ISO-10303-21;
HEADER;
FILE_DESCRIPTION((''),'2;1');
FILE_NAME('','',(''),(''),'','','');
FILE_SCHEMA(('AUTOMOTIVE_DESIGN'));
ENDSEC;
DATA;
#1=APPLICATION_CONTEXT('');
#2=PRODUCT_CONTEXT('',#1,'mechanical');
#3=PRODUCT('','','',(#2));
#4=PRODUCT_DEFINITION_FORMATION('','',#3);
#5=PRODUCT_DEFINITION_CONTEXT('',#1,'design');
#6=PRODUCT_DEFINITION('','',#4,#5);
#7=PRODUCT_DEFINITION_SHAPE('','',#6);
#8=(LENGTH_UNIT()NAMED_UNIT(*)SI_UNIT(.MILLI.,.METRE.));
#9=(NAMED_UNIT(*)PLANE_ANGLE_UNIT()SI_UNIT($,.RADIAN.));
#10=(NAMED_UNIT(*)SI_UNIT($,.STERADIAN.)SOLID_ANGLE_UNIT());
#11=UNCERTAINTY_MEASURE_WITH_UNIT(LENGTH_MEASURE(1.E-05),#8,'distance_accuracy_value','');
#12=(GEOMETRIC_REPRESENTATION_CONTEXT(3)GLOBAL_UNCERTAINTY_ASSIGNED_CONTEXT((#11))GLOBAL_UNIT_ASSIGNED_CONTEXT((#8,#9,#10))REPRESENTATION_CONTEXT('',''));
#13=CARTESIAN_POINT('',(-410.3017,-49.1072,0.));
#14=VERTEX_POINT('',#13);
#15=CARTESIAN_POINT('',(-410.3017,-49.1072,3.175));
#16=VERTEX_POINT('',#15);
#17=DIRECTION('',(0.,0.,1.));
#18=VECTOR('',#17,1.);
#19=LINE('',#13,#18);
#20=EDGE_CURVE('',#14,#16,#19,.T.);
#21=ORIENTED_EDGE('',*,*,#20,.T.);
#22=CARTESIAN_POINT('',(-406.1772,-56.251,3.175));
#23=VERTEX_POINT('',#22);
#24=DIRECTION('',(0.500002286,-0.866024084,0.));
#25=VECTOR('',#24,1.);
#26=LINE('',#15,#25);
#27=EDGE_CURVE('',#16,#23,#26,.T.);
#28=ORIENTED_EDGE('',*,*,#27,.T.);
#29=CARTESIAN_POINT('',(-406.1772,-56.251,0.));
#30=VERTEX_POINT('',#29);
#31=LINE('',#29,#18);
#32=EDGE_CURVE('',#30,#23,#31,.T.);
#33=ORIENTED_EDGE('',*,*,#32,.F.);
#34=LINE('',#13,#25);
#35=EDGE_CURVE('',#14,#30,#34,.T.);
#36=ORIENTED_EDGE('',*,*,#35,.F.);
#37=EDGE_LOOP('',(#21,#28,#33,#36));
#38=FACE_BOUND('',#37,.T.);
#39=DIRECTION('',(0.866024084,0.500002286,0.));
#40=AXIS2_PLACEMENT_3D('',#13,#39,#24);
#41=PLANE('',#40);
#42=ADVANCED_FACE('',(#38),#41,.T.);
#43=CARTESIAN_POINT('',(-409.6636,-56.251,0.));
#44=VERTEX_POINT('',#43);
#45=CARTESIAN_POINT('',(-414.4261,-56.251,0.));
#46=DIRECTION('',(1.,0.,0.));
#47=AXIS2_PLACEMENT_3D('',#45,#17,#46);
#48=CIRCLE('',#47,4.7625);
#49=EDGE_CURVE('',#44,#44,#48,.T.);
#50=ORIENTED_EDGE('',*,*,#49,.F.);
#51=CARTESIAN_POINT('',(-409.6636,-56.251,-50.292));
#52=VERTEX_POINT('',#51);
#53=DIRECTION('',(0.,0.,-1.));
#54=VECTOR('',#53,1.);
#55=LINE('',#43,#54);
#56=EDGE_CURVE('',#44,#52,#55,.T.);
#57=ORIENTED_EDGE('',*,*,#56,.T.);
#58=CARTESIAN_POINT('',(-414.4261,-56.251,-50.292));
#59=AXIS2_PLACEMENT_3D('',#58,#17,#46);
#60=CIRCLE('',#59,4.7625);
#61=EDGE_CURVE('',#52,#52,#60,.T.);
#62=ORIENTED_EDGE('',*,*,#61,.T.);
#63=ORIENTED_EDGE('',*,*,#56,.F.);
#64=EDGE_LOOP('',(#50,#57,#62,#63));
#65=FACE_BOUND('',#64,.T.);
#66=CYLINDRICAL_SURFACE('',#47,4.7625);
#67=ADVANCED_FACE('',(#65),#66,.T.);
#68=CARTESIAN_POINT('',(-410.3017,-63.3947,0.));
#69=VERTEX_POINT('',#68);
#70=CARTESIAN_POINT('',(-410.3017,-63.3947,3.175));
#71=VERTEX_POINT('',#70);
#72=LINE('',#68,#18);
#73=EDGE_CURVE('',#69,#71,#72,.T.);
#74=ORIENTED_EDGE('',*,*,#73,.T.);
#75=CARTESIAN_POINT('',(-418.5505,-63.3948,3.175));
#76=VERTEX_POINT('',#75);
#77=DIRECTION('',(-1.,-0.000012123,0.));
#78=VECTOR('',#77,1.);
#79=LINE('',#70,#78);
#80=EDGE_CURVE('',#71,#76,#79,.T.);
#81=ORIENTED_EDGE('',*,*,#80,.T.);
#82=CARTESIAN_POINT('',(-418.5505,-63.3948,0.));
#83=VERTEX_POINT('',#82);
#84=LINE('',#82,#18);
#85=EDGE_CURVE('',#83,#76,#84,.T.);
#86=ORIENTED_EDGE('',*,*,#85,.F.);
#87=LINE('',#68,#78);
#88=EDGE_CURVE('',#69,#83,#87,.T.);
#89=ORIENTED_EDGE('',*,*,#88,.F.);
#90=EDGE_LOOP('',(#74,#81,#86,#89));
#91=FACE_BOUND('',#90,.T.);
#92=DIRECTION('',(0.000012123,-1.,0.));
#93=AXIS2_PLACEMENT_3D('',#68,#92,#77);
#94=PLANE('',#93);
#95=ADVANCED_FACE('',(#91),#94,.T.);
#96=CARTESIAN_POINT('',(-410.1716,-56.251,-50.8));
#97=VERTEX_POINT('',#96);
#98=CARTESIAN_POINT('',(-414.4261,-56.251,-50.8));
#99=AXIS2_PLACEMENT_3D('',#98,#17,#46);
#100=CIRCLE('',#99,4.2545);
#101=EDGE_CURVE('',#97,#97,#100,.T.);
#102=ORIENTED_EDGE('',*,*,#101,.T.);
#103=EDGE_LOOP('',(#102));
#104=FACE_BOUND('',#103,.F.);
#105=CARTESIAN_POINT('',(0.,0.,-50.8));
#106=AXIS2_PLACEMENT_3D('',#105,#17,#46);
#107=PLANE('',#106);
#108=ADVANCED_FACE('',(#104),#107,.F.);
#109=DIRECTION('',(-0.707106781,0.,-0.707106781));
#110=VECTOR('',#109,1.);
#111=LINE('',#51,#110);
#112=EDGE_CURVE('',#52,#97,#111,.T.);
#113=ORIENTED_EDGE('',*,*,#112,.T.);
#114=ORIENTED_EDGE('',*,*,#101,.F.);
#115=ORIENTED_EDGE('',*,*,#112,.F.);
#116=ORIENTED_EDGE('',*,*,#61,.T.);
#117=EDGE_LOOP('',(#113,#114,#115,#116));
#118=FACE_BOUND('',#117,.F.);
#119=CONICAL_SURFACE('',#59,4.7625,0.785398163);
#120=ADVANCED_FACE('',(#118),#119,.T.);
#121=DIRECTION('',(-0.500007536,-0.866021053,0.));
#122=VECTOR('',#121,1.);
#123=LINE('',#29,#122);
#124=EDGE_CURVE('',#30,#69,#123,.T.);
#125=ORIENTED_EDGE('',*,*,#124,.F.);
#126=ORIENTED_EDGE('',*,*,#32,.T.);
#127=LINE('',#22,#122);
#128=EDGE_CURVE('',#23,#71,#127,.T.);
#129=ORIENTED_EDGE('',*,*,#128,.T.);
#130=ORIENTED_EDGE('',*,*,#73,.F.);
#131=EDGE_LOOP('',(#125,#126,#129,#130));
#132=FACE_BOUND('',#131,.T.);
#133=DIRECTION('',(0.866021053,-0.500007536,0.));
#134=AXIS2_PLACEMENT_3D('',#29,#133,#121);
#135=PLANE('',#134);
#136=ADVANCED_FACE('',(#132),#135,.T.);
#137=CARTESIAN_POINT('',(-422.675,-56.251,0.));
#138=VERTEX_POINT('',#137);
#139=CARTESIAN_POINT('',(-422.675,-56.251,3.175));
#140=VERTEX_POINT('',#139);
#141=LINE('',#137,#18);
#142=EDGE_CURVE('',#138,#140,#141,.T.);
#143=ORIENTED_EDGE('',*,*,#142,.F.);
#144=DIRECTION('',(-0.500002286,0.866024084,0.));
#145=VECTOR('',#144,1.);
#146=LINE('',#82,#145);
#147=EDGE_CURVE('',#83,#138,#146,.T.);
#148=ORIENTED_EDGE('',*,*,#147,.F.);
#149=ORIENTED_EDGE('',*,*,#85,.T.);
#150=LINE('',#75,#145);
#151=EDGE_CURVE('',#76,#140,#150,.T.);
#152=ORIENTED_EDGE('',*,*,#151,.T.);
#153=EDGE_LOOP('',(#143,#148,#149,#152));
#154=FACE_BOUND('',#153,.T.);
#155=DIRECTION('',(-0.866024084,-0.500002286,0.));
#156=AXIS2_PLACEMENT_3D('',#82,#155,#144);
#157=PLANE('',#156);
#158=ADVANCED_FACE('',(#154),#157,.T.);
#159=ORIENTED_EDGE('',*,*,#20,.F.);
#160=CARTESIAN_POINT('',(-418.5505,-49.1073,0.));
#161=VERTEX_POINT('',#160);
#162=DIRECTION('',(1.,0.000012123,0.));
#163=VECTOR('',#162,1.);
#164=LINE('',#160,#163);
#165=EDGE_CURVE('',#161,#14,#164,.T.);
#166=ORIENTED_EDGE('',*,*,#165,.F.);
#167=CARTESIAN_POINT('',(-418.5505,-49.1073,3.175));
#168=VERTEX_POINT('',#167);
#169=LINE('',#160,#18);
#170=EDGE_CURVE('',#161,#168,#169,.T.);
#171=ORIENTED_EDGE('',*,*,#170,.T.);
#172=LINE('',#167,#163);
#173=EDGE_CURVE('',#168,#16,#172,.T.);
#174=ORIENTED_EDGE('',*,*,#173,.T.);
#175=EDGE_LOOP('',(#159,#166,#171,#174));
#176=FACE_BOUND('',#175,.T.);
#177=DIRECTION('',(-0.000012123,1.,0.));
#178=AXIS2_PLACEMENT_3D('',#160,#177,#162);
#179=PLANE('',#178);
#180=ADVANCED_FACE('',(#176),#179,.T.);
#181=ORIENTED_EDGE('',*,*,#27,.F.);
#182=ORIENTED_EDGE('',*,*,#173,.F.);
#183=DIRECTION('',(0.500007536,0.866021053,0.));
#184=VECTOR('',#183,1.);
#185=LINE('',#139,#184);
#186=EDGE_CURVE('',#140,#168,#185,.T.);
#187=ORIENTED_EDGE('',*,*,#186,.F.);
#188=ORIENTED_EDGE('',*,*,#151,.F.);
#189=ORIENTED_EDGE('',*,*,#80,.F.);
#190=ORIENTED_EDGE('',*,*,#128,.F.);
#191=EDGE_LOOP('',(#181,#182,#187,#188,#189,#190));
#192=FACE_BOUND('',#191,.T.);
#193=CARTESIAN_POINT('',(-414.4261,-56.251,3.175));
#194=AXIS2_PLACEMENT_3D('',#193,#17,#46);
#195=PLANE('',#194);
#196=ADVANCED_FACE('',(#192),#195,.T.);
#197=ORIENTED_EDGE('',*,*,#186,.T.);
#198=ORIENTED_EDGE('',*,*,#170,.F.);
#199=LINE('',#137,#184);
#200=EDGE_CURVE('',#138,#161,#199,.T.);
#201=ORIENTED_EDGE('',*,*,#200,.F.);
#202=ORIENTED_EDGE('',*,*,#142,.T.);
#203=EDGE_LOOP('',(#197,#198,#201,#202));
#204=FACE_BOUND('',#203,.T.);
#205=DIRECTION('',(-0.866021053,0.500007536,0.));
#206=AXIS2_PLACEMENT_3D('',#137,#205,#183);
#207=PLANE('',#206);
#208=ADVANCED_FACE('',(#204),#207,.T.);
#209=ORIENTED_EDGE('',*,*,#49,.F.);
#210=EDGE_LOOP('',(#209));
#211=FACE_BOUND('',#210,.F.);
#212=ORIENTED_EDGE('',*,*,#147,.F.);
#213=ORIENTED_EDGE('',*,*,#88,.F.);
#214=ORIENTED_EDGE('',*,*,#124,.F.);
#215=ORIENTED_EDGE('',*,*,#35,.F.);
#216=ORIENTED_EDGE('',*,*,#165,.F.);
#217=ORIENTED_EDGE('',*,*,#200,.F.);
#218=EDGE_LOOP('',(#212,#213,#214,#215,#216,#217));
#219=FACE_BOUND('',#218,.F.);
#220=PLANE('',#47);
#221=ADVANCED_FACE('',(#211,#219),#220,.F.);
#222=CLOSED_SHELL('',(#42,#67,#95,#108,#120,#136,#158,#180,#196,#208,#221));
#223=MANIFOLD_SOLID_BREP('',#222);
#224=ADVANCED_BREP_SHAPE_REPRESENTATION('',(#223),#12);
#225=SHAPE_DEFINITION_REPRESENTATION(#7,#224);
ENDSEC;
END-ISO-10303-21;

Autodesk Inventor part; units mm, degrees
ref_plane "YZ Plane" through (0, 0, 0) normal (1, 0, 0) x (0, 1, 0)
ref_plane "XZ Plane" through (0, 0, 0) normal (0, 1, 0) x (-1, 0, 0)
ref_plane "XY Plane" through (0, 0, 0) normal (0, 0, 1) x (1, 0, 0)
sketch "Sketch1" plane through (0, 0, 0) normal (0, 0, 1) x (1, 0, 0)
  circle A0 centre (-414.4261, -56.251) radius 4.7625
  point P0 (0, 0)
  dimension "d0" = 9.525
extrude "Extrusion1" add sketch "Sketch1" against normal blind 50.8
sketch "Sketch2" plane through (-414.4261, -56.251, 0) normal (0, 0, 1) x (1, 0, 0)
  circle A0 centre (0, 0) radius 4.7625 projected
  line L0 (-8.2489, 0) -> (-4.1244, 7.1437)
  line L1 (-4.1244, 7.1437) -> (4.1244, 7.1438)
  line L2 (4.1244, 7.1438) -> (8.2489, 0)
  line L3 (8.2489, 0) -> (4.1244, -7.1437)
  line L4 (4.1244, -7.1437) -> (-4.1244, -7.1438)
  line L5 (-4.1244, -7.1438) -> (-8.2489, 0)
  point P0 (414.4261, 56.251)
  dimension "d3" = 14.2875
extrude "Extrusion2" add sketch "Sketch2" along normal blind 3.175 contours A0 | L0 L1 L2 L3 L4 L5
thread "Thread1" size "3/8-16 UNC" class "2A" standard "ANSI Unified Screw Threads" length 25.4
chamfer "Chamfer1" distance 0.508 angle 45 1 edges at (-419.1886, -56.251, -50.8)
properties part number "375 bolt x4" material "Steel"
